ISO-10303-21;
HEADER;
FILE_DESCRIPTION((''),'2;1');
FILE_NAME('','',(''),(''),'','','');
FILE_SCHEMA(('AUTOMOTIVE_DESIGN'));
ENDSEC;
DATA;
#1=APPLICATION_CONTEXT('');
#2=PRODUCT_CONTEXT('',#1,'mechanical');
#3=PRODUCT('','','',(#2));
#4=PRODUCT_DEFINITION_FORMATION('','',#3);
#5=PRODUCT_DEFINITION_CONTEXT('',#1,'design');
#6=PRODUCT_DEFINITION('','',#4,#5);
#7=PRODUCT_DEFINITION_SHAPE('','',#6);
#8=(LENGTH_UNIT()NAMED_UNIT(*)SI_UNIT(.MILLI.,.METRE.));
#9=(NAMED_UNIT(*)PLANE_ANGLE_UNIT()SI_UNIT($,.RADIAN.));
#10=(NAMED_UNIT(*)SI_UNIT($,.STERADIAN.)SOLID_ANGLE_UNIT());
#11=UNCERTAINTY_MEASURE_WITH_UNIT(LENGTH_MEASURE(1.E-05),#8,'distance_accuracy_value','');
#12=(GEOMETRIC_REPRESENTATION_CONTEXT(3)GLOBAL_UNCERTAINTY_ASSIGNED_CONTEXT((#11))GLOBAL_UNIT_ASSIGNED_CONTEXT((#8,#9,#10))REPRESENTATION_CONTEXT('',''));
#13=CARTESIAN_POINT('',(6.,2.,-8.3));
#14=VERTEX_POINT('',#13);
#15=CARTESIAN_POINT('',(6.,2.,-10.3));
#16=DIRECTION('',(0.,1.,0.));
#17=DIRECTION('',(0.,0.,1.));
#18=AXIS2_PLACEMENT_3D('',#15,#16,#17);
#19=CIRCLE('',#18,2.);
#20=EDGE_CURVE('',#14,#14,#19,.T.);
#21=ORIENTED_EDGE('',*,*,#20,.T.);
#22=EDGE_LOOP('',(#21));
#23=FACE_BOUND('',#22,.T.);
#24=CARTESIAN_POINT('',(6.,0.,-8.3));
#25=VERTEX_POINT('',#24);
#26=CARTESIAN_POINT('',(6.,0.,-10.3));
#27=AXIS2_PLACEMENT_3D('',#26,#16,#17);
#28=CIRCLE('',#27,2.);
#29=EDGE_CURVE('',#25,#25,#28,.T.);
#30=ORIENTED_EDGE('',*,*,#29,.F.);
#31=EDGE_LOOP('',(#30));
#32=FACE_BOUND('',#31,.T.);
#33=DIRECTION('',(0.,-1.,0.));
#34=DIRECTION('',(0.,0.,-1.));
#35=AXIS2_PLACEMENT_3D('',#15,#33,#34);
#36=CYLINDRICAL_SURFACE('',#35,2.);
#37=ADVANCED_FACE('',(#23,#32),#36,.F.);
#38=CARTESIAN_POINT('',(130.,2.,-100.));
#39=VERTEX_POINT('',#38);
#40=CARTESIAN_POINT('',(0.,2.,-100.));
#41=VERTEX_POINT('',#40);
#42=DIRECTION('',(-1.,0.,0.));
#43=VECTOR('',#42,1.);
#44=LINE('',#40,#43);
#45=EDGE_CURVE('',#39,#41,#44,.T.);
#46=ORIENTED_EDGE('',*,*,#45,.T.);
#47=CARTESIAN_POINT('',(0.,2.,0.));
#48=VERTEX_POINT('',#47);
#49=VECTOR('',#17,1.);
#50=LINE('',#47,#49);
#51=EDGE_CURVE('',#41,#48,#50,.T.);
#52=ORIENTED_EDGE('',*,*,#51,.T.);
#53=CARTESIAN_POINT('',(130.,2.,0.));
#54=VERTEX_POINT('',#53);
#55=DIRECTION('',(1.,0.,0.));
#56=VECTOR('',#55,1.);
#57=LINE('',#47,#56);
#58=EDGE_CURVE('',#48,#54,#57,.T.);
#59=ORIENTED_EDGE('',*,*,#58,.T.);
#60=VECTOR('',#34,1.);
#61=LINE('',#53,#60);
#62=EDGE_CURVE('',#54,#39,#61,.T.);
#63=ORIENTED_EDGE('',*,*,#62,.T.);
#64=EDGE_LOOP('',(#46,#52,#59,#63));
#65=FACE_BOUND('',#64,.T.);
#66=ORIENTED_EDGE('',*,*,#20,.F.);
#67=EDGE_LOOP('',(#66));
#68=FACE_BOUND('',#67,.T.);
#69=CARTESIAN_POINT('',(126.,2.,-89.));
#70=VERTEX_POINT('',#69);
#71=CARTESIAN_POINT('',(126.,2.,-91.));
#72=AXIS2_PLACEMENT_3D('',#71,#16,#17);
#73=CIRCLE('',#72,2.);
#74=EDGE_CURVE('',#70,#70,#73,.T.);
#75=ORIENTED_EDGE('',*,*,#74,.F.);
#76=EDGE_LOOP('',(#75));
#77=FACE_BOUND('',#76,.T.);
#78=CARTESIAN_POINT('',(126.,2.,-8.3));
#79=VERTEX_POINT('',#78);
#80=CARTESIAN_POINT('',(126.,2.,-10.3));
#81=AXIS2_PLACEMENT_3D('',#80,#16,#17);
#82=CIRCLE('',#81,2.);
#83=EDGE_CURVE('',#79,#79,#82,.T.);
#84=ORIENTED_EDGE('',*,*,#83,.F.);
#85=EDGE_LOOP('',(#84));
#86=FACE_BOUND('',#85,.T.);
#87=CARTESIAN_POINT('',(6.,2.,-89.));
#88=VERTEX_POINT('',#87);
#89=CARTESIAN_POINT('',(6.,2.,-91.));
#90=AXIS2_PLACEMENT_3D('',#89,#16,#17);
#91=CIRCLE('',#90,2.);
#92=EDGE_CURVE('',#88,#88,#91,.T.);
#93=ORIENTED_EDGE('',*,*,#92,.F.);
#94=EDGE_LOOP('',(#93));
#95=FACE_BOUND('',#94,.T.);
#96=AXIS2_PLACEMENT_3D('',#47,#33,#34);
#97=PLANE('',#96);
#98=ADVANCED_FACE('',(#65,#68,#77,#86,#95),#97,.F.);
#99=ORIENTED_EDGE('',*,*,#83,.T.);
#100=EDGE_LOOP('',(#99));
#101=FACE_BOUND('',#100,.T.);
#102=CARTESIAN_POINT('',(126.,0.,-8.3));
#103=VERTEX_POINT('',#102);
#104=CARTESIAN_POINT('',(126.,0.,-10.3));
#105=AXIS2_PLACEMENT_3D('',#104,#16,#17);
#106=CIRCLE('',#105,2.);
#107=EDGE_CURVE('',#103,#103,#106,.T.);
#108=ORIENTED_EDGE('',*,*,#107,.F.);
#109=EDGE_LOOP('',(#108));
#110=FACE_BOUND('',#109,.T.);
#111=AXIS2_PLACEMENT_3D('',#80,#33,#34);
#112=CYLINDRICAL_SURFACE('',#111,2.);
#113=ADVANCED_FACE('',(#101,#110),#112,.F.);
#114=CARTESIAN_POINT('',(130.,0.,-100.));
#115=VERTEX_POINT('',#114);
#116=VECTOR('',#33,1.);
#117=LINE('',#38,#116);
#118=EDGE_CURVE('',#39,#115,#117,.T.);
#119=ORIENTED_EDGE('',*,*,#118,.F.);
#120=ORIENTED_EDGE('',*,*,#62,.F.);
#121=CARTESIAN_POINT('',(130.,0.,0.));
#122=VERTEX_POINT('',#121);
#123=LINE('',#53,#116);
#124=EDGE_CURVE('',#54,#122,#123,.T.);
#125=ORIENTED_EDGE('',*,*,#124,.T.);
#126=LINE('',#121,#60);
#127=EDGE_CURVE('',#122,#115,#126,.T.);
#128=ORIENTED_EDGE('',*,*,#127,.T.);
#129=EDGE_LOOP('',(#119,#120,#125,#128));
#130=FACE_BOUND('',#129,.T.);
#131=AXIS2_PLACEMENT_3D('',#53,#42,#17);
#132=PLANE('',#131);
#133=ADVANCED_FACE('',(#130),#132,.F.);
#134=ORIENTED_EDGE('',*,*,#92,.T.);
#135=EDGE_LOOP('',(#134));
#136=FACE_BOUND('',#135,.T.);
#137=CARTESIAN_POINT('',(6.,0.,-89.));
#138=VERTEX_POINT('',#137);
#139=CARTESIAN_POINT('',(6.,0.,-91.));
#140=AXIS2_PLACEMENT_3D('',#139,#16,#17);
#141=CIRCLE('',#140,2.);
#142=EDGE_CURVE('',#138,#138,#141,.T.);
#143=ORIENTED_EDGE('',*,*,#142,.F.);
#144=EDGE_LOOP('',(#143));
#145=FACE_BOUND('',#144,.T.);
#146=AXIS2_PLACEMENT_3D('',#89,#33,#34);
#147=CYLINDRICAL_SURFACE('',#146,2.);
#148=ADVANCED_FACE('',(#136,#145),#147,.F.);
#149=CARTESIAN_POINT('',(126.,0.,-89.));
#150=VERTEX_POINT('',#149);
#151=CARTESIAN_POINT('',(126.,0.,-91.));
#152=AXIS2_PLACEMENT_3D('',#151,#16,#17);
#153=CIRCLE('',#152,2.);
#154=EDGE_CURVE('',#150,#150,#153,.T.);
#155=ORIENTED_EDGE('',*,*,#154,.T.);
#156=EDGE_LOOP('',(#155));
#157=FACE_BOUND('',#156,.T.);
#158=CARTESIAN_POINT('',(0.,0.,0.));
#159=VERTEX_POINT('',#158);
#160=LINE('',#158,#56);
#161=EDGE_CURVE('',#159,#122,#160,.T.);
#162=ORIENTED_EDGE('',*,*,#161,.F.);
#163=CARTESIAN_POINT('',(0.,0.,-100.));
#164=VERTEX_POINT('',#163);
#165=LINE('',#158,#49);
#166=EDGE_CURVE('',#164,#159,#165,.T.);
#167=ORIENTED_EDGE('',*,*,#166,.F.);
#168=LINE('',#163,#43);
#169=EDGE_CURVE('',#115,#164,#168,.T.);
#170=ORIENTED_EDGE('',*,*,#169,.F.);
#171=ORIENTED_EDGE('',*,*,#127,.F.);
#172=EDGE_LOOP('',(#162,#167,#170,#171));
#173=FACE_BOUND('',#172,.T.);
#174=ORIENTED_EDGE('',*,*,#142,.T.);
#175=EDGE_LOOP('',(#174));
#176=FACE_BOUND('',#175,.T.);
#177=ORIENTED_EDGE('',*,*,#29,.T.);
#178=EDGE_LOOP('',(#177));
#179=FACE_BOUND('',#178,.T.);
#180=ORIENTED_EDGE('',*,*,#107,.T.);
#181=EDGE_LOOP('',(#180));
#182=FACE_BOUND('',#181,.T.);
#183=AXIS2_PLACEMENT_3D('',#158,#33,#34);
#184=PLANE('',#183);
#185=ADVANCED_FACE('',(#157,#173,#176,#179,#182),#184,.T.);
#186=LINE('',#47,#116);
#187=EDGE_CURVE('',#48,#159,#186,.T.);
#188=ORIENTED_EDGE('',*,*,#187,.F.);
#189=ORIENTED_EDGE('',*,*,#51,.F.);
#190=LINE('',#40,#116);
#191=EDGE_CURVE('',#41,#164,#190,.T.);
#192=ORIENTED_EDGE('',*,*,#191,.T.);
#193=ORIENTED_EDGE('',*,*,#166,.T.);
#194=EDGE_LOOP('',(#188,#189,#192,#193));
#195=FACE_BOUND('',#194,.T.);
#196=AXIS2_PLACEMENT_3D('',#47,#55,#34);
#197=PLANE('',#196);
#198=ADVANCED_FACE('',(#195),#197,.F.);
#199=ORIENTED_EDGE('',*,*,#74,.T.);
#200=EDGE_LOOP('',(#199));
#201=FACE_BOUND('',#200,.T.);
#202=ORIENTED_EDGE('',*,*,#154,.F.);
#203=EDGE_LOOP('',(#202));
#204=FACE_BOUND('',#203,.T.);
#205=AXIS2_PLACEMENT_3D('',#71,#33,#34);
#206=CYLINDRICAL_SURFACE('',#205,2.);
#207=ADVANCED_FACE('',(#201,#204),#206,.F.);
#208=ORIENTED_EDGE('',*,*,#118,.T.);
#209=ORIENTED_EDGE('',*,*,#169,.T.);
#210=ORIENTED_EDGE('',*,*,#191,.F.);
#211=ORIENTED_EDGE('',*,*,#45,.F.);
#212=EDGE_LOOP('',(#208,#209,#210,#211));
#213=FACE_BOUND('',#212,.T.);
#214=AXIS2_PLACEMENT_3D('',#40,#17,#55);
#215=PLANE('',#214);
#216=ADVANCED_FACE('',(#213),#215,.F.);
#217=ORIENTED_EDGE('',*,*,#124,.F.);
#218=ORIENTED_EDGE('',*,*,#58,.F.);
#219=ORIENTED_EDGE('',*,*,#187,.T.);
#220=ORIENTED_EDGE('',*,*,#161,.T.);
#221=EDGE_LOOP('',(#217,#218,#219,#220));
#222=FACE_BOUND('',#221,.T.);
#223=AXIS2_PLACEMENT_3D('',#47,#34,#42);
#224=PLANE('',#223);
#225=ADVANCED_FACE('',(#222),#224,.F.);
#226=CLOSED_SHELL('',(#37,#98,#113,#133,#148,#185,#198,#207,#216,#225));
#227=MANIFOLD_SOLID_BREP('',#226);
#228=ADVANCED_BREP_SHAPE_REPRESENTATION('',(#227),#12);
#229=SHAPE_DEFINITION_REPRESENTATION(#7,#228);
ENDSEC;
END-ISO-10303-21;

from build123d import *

# Parameters (mm, degrees)
SKETCH1_W           = 130
SKETCH1_H           = 100
SKETCH1_R           = 2
BOSS_EXTRUDE1_DEPTH = 2


with BuildPart() as part:
    # Sketch1 → Boss-Extrude1 (new body)
    with BuildSketch(Plane(origin=(0, 0, 0), x_dir=(1, 0, 0), z_dir=(0, 1, 0))):
        with Locations((65, 50)):
            Rectangle(SKETCH1_W, SKETCH1_H)
        with Locations(Location((6, 10.3, 0), (0, 0, 270))):
            Circle(SKETCH1_R, mode=Mode.SUBTRACT)
        with Locations(Location((126, 10.3, 0), (0, 0, 270))):
            Circle(SKETCH1_R, mode=Mode.SUBTRACT)
        with Locations(Location((126, 91, 0), (0, 0, 270))):
            Circle(SKETCH1_R, mode=Mode.SUBTRACT)
        with Locations(Location((6, 91, 0), (0, 0, 270))):
            Circle(SKETCH1_R, mode=Mode.SUBTRACT)
    extrude(amount=BOSS_EXTRUDE1_DEPTH)


solid = part.part
